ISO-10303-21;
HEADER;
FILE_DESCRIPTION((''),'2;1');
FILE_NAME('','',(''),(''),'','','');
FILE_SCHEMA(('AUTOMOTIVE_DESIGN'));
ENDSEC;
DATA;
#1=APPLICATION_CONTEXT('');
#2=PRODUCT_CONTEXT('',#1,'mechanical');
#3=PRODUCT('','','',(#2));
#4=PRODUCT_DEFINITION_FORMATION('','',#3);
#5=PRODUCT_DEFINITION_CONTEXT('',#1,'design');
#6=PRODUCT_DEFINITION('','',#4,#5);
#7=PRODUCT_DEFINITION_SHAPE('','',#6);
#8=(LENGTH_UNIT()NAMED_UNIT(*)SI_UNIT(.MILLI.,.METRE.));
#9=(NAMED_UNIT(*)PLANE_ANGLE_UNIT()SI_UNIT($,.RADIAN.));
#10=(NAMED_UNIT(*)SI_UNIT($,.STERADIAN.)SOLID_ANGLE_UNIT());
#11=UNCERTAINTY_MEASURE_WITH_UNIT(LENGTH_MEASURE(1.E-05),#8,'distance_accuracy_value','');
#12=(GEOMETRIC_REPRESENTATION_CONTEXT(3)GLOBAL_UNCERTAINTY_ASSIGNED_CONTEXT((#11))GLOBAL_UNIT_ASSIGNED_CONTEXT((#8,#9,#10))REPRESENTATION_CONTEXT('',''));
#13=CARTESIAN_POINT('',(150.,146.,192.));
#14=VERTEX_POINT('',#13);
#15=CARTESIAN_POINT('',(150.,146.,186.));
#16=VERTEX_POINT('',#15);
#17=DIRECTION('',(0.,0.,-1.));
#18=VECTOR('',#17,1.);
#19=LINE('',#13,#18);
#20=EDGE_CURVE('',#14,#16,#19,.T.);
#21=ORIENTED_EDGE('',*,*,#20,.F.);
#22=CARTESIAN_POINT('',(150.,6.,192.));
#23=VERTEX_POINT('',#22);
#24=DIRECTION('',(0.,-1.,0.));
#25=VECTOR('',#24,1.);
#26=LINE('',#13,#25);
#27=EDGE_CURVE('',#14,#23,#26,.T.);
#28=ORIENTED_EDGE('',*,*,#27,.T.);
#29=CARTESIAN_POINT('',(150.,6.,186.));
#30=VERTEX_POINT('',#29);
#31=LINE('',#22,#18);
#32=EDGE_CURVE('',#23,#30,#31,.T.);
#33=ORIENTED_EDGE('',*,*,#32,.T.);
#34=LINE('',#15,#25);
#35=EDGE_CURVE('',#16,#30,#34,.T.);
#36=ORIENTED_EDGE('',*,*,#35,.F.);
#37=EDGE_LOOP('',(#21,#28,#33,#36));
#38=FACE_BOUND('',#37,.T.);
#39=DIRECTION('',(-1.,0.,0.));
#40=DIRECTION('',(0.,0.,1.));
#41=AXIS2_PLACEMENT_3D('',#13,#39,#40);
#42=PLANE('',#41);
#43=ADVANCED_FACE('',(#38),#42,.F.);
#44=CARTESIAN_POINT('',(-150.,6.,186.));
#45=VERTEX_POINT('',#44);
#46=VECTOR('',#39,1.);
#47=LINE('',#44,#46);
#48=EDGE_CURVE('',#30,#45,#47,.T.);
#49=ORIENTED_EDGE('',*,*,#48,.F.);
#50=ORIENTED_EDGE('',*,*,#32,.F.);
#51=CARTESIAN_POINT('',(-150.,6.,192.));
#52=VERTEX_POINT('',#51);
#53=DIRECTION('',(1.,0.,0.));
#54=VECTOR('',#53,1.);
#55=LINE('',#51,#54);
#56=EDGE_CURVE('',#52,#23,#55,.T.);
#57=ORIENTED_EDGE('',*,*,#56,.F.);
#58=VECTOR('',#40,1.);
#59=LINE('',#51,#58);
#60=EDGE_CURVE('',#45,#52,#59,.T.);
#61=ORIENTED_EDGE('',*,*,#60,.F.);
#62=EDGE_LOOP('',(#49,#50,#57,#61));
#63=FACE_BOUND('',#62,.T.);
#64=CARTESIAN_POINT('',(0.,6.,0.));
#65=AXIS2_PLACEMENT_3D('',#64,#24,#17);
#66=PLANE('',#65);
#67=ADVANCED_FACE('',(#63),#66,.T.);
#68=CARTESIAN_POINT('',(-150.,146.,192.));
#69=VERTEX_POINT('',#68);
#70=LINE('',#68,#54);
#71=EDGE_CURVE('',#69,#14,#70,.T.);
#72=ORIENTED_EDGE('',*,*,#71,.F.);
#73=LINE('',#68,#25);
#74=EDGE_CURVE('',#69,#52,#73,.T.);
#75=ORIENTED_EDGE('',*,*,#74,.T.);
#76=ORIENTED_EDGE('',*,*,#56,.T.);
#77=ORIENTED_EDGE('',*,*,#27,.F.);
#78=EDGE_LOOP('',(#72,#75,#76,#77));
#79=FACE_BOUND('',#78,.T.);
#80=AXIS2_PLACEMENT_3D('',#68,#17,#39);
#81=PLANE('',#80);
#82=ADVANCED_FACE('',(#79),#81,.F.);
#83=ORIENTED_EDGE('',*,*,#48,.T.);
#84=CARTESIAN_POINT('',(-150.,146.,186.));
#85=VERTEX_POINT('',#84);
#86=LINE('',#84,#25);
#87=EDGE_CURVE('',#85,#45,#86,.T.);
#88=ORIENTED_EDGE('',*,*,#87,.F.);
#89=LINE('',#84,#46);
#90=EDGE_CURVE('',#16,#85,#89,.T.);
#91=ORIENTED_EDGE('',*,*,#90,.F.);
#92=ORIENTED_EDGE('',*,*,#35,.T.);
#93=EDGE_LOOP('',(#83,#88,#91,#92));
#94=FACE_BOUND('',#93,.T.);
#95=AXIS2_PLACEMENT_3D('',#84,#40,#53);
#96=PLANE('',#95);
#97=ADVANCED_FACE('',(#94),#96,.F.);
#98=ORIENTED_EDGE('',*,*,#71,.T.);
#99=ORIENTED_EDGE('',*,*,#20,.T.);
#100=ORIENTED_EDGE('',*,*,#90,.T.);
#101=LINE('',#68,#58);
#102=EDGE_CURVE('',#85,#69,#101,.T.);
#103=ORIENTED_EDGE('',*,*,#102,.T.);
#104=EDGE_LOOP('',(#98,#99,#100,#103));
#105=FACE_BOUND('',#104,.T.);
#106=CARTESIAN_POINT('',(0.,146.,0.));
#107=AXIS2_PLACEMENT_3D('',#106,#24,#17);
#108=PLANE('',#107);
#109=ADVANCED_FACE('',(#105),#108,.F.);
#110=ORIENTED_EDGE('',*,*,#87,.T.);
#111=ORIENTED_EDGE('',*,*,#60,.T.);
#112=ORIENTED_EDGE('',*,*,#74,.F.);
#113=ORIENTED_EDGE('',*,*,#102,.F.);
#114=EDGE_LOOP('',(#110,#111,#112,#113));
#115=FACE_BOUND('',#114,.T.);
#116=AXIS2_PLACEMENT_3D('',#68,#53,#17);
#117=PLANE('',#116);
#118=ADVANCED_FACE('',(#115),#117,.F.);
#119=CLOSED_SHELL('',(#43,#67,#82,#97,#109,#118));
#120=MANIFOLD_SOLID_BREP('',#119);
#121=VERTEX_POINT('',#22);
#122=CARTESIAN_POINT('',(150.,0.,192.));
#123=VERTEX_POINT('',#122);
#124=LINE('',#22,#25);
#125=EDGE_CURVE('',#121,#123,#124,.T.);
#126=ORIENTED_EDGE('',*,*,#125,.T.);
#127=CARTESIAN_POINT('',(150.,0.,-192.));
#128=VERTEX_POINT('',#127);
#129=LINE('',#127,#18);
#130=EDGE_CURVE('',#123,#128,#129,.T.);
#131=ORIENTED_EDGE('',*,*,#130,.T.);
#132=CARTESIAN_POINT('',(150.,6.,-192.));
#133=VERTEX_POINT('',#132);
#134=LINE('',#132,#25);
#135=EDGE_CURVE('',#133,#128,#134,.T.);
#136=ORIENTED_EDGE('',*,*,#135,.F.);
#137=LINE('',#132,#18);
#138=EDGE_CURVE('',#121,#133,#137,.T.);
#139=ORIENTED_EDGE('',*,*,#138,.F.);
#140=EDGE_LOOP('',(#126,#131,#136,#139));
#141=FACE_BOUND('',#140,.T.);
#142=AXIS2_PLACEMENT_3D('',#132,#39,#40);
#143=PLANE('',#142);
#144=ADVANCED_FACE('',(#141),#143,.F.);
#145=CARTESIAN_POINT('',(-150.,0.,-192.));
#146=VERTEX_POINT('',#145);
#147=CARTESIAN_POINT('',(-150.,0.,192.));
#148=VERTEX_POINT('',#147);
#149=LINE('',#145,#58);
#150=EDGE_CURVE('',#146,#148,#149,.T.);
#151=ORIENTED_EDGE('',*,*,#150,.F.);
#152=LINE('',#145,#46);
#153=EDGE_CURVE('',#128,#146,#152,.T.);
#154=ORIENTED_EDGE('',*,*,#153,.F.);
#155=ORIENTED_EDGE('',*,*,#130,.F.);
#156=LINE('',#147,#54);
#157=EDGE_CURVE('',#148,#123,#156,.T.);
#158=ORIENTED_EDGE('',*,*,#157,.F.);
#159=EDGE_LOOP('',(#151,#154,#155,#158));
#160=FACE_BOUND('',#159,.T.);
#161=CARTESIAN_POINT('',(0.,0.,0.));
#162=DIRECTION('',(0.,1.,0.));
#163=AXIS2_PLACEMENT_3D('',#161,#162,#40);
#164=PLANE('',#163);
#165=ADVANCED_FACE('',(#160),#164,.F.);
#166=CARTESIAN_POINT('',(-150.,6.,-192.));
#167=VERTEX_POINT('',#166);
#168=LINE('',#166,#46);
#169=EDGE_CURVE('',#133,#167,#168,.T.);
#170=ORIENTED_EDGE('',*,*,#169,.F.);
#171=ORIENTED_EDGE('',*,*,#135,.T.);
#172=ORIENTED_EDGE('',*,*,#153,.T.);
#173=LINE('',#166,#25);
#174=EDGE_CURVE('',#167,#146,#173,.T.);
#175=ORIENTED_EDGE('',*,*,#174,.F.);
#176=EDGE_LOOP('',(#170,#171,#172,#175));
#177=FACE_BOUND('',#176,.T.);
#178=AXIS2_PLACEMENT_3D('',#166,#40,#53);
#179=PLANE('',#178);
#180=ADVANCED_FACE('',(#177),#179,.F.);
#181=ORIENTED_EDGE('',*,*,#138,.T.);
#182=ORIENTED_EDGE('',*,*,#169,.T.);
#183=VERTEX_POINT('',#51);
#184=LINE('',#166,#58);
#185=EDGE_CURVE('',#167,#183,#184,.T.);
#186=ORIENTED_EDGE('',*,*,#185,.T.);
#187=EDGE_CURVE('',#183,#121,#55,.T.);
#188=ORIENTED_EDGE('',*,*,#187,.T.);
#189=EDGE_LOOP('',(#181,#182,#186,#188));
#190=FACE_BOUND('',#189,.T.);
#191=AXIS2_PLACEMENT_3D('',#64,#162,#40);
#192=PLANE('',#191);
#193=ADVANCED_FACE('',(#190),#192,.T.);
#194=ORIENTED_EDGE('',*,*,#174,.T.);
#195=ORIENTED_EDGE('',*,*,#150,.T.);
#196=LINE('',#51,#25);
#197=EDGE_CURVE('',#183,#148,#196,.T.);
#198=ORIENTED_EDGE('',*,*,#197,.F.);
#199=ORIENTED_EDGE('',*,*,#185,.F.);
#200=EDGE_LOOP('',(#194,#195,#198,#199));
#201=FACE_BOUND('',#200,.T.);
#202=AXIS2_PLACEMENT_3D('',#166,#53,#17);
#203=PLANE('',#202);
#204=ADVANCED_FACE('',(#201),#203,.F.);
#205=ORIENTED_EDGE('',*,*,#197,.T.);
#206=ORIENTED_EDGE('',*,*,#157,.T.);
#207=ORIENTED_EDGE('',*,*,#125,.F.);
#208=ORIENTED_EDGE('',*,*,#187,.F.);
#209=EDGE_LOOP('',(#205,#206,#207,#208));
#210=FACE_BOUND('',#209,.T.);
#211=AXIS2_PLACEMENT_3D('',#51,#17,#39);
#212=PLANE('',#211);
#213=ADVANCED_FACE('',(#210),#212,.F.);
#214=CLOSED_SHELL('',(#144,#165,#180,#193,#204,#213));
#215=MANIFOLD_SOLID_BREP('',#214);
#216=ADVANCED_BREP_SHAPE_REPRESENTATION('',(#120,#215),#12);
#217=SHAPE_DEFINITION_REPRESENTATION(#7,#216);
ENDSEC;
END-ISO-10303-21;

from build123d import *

# Parameters (mm, degrees)
SKETCH1_W           = 300
SKETCH1_H           = 384
BOSS_EXTRUDE1_DEPTH = 6
SKETCH2_W           = 300
SKETCH2_H           = 6
BOSS_EXTRUDE2_DEPTH = 140


with BuildPart() as part:
    # Sketch1 → Boss-Extrude1 (new body)
    with BuildSketch(Plane(origin=(0, 0, 0), x_dir=(1, 0, 0), z_dir=(0, 1, 0))):
        Rectangle(SKETCH1_W, SKETCH1_H)
    extrude(amount=BOSS_EXTRUDE1_DEPTH)


with BuildPart() as body_2:
    # Sketch2 → Boss-Extrude2 (new body)
    with BuildSketch(Plane(origin=(0, 6, 0), x_dir=(1, 0, 0), z_dir=(0, 1, 0))):
        with Locations((0, -189)):
            Rectangle(SKETCH2_W, SKETCH2_H)
    extrude(amount=BOSS_EXTRUDE2_DEPTH)


solid = Compound([part.part, body_2.part])
